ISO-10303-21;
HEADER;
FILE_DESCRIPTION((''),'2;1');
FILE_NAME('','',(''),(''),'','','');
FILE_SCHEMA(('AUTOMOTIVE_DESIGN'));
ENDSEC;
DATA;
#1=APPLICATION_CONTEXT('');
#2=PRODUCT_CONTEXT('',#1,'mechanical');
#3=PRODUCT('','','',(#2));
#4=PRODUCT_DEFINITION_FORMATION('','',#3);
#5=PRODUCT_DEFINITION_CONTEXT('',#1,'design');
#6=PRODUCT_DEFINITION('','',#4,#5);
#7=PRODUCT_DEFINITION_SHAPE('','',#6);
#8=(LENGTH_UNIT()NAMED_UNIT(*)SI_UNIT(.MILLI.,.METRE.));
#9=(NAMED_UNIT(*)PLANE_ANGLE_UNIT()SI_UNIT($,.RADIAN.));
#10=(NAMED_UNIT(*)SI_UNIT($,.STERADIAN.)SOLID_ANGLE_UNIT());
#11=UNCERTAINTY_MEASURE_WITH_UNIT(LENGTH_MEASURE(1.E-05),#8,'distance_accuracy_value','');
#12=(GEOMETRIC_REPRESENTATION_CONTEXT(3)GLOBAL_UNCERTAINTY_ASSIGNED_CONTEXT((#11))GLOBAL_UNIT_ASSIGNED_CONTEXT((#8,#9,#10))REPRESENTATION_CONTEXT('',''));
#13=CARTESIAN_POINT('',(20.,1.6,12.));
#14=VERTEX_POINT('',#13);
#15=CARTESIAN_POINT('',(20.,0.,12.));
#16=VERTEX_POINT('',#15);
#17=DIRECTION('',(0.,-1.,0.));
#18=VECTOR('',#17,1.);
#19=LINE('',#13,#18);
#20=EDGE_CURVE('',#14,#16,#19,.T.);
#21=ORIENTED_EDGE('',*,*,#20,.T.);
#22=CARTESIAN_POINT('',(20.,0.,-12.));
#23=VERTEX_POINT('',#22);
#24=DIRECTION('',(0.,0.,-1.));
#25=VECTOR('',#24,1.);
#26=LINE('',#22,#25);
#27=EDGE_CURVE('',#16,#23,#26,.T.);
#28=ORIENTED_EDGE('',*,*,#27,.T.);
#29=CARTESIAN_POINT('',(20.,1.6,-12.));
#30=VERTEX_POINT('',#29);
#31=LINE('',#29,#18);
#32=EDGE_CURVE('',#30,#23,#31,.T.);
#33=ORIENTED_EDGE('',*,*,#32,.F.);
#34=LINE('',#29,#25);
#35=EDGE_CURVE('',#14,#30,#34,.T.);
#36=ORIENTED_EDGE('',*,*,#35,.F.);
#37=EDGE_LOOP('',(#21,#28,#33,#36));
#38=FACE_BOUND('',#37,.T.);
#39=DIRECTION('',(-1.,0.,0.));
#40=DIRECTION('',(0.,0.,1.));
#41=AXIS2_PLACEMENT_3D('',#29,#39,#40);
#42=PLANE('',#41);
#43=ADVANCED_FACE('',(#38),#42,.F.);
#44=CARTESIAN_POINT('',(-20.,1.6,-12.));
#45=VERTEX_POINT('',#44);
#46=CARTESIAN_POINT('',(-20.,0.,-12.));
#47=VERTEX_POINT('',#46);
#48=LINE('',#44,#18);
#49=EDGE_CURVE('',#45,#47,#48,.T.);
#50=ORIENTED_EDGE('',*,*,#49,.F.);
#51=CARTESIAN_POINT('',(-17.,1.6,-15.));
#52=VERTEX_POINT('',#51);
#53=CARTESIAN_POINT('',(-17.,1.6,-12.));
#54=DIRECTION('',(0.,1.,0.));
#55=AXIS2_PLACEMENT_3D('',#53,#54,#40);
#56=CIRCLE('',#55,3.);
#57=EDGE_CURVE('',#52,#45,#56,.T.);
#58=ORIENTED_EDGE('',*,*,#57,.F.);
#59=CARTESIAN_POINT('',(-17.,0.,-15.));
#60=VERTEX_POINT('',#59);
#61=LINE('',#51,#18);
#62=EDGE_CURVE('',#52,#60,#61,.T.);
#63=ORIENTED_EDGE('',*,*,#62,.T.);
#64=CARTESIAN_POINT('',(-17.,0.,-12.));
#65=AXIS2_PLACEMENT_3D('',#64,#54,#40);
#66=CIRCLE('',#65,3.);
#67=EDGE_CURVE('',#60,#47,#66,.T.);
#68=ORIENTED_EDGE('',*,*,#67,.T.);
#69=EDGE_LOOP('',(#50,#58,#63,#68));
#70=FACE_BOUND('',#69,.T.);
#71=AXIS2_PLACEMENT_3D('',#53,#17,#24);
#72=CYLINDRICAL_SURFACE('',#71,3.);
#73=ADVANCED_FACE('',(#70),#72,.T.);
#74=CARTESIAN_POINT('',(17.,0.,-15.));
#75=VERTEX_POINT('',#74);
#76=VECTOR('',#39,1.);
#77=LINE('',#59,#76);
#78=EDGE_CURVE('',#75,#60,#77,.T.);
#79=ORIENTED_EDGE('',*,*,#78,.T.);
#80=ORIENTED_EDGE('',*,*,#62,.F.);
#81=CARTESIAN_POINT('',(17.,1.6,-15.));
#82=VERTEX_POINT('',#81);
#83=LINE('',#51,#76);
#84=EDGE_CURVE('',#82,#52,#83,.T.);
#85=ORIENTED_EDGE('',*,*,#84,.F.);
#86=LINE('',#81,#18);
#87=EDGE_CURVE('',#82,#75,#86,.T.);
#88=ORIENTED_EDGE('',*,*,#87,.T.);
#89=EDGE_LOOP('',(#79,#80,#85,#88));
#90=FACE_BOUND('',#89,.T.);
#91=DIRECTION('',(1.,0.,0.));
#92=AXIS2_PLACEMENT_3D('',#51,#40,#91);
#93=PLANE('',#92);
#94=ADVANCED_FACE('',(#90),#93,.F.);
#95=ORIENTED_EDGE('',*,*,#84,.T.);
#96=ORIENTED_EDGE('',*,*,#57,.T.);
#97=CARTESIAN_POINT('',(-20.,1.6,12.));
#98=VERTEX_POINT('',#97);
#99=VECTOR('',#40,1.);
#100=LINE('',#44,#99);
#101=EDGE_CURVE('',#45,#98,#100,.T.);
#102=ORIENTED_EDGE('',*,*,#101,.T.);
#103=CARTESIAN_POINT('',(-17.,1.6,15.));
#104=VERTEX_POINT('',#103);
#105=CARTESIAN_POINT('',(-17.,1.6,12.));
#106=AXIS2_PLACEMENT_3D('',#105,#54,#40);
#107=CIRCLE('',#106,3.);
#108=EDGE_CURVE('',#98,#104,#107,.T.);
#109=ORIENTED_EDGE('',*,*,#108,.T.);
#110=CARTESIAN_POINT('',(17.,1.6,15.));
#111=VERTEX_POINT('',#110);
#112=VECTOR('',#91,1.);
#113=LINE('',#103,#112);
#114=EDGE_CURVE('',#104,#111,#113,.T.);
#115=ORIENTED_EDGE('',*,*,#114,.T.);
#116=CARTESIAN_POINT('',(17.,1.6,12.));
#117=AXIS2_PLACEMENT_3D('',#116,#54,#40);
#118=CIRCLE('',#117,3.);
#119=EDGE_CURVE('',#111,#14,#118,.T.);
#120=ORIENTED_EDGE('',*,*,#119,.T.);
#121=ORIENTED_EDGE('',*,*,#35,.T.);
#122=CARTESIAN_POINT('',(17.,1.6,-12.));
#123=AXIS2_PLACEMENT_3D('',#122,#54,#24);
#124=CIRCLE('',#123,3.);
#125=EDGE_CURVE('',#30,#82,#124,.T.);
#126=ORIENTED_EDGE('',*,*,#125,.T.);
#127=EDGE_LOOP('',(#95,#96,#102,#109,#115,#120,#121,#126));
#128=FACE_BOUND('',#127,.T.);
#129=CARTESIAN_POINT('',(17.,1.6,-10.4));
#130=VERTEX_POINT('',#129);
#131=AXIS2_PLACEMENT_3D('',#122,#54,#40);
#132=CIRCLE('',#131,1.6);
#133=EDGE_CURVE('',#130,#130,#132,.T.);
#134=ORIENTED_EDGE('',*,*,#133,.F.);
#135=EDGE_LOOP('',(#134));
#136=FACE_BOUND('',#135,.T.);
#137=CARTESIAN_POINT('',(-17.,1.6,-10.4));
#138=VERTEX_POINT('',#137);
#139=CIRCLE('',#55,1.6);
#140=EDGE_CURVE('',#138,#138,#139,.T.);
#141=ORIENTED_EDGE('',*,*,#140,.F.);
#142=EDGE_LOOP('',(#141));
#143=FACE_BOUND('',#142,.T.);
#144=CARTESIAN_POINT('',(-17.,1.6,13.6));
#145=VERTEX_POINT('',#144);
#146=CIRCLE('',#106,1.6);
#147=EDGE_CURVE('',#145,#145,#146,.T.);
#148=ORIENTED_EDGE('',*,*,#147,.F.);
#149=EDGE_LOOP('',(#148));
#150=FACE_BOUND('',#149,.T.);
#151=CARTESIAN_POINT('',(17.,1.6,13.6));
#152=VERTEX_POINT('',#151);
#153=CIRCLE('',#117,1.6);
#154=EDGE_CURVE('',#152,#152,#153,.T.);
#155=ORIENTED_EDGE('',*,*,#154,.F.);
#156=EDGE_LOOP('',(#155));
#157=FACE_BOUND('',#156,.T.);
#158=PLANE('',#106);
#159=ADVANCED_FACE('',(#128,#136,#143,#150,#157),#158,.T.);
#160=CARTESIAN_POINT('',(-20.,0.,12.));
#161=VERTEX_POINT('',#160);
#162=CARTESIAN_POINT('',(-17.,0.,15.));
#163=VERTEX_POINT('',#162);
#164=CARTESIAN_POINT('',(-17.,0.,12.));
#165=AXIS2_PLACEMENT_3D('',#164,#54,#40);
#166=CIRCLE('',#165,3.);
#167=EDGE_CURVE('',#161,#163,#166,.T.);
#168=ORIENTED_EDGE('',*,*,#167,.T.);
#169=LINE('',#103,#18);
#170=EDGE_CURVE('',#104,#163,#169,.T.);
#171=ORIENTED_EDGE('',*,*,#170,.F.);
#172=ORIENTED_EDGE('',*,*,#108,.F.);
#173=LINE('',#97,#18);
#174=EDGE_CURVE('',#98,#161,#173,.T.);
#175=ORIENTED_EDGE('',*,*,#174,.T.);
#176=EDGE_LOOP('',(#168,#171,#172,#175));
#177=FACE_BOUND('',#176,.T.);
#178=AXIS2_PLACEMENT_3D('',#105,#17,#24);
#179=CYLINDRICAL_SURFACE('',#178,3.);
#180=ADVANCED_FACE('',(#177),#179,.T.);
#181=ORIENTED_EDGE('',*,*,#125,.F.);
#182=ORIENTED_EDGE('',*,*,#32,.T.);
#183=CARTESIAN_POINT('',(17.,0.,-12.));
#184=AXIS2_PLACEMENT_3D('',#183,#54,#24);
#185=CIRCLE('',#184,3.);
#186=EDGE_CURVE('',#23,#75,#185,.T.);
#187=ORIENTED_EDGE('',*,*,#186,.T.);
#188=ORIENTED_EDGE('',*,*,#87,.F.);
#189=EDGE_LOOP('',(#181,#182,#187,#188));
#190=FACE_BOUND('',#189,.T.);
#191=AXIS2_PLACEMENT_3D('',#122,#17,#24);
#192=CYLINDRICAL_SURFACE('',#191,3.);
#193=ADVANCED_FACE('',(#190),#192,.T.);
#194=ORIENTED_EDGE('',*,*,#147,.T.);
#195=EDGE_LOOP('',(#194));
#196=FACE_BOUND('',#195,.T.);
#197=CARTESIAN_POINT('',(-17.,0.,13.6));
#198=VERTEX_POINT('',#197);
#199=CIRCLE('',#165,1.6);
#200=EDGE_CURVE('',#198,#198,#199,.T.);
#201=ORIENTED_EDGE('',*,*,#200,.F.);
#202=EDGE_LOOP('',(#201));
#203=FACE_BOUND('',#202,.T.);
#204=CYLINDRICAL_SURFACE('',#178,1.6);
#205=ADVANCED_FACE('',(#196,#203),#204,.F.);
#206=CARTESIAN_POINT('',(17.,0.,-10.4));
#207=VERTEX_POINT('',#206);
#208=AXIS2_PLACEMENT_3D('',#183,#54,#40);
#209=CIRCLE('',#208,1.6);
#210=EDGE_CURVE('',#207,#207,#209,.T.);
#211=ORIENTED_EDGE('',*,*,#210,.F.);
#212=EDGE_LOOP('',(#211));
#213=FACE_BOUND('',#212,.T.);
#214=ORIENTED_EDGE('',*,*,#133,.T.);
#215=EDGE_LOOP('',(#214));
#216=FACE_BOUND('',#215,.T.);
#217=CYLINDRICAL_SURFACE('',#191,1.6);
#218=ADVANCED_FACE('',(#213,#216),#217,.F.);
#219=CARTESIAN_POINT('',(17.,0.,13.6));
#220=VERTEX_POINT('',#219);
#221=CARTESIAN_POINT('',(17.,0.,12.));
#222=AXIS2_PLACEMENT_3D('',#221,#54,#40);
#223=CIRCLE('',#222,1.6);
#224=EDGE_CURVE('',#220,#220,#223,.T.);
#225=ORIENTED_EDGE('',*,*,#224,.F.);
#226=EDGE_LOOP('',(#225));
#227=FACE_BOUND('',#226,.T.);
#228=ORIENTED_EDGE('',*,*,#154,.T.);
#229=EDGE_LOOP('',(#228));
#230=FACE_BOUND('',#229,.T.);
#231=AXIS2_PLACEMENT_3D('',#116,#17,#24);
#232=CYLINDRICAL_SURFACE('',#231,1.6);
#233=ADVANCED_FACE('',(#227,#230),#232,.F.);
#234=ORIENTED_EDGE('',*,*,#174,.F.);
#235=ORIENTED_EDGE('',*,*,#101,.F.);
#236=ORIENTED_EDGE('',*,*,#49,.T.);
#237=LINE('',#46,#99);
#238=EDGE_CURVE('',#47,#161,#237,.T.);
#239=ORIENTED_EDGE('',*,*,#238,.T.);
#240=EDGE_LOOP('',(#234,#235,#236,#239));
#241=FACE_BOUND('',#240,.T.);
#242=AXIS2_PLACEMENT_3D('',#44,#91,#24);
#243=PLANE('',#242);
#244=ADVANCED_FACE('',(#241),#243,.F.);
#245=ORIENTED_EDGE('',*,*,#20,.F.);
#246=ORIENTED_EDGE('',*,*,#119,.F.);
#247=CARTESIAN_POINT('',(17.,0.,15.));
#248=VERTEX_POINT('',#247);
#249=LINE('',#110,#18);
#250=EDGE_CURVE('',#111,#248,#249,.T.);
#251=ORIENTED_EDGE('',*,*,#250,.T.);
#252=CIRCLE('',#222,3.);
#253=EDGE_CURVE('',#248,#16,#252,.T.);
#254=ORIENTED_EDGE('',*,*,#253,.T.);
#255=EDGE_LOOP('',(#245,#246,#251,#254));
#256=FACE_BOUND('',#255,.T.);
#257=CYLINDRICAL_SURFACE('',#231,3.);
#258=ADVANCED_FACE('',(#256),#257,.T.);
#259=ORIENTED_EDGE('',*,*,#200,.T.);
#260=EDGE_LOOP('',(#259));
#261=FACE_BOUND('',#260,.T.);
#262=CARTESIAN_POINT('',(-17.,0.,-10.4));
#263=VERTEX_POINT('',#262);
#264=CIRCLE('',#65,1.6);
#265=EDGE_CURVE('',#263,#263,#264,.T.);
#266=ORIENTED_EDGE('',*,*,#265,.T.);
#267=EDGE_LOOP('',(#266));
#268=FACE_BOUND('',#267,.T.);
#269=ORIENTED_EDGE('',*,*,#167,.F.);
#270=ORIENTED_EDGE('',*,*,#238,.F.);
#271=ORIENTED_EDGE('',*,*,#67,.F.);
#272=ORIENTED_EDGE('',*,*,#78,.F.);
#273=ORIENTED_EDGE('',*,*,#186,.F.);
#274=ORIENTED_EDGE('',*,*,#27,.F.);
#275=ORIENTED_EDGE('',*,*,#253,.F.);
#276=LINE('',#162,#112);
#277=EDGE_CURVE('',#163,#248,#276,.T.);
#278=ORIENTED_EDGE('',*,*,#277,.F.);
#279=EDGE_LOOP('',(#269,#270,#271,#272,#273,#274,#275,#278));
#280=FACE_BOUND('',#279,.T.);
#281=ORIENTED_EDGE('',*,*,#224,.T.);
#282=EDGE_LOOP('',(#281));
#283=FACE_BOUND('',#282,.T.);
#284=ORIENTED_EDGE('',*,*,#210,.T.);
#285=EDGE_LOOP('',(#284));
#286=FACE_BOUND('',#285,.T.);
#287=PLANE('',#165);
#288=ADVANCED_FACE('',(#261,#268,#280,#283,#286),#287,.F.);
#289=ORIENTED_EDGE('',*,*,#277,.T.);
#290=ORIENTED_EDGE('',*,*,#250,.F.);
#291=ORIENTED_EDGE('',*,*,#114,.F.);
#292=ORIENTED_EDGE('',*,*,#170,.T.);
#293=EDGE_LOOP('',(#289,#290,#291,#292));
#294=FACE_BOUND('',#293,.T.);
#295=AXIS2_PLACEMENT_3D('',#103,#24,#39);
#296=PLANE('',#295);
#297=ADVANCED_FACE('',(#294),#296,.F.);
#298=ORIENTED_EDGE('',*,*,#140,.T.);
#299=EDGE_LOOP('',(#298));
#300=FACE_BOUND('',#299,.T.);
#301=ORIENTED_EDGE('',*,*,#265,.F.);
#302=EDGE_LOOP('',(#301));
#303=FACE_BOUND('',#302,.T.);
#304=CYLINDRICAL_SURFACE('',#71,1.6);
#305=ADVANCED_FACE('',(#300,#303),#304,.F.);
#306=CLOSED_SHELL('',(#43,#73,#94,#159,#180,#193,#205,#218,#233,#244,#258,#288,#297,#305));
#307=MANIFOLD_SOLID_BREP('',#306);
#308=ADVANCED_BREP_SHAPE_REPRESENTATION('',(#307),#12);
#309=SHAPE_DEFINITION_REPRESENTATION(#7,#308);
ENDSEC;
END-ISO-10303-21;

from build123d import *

# Parameters (mm, degrees)
SKETCH_1_R      = 1.6
EXTRUDE_1_DEPTH = 1.6


with BuildPart() as part:
    # Эскиз1 → Бобышка-Вытянуть1 (new body)
    with BuildSketch(Plane(origin=(0, 0, 0), x_dir=(1, 0, 0), z_dir=(0, 1, 0))):
        with BuildLine():
            Line((-17, 15), (17, 15))
            ThreePointArc((17, 15), (19.121320344, 14.121320344), (20, 12))
            Line((20, 12), (20, -12))
            ThreePointArc((20, -12), (19.121320344, -14.121320344), (17, -15))
            Line((17, -15), (-17, -15))
            ThreePointArc((-17, -15), (-19.121320344, -14.121320344), (-20, -12))
            Line((-20, -12), (-20, 12))
            ThreePointArc((-20, 12), (-19.121320344, 14.121320344), (-17, 15))
        make_face()
        with Locations(Location((-17, 12, 0), (0, 0, 270))):
            Circle(SKETCH_1_R, mode=Mode.SUBTRACT)
        with Locations(Location((17, 12, 0), (0, 0, 270))):
            Circle(SKETCH_1_R, mode=Mode.SUBTRACT)
        with Locations(Location((17, -12, 0), (0, 0, 270))):
            Circle(SKETCH_1_R, mode=Mode.SUBTRACT)
        with Locations(Location((-17, -12, 0), (0, 0, 270))):
            Circle(SKETCH_1_R, mode=Mode.SUBTRACT)
    extrude(amount=EXTRUDE_1_DEPTH)


solid = part.part
